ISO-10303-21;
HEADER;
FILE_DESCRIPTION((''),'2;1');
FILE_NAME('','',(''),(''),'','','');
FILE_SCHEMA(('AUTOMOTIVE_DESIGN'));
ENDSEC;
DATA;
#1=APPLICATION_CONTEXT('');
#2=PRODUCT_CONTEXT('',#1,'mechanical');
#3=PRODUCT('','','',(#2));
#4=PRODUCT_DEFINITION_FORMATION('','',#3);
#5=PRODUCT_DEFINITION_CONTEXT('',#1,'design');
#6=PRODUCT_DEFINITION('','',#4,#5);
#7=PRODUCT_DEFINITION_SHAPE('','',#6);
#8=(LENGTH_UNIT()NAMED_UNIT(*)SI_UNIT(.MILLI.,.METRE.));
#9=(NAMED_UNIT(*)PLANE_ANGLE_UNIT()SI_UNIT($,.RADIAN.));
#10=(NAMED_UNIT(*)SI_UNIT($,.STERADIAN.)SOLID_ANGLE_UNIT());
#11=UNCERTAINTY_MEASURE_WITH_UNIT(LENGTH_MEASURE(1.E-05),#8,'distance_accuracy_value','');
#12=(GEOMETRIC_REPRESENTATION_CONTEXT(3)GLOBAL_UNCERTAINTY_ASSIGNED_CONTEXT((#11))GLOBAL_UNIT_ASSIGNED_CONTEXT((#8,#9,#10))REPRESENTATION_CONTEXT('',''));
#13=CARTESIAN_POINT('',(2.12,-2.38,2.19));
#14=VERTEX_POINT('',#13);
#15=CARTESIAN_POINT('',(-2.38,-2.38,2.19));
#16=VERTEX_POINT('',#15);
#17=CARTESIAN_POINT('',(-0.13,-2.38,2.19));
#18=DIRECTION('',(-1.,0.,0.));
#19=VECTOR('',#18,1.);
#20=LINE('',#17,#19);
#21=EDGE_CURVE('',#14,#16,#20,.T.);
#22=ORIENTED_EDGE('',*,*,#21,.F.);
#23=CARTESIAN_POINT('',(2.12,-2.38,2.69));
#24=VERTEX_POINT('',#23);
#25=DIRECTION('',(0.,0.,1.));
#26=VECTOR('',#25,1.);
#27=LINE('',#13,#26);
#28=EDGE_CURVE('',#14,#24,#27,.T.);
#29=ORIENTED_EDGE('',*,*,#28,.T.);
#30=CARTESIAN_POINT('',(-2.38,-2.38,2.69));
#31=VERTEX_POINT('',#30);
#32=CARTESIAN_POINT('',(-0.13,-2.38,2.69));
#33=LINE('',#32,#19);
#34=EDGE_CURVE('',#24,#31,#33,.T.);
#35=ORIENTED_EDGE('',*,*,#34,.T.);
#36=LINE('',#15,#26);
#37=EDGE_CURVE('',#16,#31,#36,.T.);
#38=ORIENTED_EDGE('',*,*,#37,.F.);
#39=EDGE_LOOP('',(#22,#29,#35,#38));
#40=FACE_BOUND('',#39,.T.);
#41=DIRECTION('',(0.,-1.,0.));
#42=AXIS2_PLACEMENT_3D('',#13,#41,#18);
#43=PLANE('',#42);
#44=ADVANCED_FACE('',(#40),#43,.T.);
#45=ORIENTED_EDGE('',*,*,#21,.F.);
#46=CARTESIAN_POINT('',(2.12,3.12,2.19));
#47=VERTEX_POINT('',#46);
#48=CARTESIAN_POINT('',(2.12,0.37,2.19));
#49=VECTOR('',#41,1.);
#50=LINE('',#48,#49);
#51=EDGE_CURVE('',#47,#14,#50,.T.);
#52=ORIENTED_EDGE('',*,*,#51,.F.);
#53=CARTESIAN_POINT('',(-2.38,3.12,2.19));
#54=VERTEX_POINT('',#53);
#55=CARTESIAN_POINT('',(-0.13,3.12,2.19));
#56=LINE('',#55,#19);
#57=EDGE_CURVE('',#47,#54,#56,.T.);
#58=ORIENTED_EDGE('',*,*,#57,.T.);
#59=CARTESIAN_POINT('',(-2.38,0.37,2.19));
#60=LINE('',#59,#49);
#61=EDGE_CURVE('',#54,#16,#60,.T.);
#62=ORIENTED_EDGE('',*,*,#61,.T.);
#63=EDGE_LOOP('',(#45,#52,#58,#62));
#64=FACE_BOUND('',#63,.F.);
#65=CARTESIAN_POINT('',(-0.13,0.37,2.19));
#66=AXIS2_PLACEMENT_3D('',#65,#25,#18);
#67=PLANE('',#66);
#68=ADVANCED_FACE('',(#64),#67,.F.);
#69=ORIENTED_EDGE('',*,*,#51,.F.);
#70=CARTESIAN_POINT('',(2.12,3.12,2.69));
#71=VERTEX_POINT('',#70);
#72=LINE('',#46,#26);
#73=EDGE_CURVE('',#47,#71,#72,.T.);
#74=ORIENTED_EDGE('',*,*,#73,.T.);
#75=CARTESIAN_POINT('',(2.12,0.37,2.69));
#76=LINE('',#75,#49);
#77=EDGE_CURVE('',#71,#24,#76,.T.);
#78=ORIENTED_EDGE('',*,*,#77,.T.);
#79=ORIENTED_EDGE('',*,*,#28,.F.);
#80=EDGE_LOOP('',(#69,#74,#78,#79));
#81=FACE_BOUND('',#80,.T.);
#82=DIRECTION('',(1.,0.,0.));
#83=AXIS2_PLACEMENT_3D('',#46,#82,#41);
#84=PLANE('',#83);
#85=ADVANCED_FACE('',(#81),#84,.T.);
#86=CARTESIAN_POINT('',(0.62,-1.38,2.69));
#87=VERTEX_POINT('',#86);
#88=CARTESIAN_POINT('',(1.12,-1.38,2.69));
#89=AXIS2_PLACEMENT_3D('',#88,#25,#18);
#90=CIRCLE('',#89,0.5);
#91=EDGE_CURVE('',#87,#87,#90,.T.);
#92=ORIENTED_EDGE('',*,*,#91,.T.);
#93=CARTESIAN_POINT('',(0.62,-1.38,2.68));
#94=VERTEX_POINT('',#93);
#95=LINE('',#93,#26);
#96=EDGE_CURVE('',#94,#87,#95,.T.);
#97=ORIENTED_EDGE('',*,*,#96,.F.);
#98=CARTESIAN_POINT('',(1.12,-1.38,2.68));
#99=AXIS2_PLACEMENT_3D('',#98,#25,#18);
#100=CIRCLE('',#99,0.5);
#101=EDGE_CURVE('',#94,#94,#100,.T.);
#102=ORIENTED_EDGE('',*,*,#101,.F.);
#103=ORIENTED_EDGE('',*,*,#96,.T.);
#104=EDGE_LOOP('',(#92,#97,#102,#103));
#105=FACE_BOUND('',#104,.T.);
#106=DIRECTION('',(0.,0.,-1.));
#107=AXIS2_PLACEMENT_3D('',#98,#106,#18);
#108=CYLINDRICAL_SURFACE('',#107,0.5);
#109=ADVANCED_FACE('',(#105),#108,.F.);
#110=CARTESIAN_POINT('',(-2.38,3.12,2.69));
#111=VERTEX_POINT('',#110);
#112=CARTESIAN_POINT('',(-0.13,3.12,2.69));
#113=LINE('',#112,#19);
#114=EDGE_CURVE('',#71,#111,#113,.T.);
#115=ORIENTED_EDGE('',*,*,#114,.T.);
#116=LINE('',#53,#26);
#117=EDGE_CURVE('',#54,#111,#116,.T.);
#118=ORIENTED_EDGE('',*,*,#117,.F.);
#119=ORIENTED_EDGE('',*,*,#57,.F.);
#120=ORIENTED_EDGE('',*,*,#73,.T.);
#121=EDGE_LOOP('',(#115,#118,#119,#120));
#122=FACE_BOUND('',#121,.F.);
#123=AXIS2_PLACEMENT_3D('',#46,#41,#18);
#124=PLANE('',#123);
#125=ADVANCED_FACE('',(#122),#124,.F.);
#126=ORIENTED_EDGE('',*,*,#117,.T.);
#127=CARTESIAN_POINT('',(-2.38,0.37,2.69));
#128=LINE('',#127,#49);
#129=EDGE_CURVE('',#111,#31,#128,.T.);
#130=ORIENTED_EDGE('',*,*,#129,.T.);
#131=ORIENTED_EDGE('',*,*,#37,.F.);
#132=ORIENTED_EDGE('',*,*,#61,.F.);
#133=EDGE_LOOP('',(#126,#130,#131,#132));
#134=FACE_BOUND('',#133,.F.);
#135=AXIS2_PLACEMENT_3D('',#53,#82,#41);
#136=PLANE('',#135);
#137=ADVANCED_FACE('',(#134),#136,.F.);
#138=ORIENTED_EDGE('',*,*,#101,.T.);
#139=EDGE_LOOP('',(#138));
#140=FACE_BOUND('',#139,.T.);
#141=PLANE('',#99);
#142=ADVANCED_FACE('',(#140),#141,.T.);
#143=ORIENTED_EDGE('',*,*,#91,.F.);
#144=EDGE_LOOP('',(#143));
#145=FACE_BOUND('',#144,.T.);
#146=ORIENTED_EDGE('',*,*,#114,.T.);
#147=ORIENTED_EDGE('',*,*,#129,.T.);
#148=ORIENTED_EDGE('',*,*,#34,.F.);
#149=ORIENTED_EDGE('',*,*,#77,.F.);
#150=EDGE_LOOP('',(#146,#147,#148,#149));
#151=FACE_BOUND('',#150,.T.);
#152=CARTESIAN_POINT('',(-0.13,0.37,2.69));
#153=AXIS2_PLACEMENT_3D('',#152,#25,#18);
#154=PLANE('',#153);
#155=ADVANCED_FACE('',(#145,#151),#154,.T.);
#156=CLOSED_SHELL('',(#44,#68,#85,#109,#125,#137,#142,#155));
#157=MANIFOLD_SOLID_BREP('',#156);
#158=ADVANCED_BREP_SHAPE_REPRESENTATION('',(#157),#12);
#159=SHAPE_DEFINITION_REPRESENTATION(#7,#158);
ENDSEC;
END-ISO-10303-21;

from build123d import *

# Parameters (mm, degrees)
CYLINDER019_R          = 0.5
CYLINDER019_DEPTH      = 0.01
BOX054_W               = 4.5
BOX054_H               = 5.5
BOX054_DEPTH           = 0.5
CUT007_PLACEMENT_ANGLE = 180


with BuildPart() as cylinder019:
    # Cylinder019 → Cylinder019 (new body)
    with BuildSketch(Plane(origin=(1, 4.5, 0.49), x_dir=(1, 0, 0), z_dir=(0, 0, 1))):
        Circle(CYLINDER019_R)
    extrude(amount=CYLINDER019_DEPTH)


with BuildPart() as small_linbo3_plate015:
    # Box054 → Box054 (new body)
    with BuildSketch(Plane.XY):
        with Locations((2.25, 2.75)):
            Rectangle(BOX054_W, BOX054_H)
    extrude(amount=BOX054_DEPTH)

    # Cut007: cut Cylinder019
    add(cylinder019.part, mode=Mode.SUBTRACT)


with BuildPart() as small_linbo3_plate015_1:
    # Cut007 placement: moved
    add(small_linbo3_plate015.part.moved(Location((2.12, 3.12, 2.19))).rotate(Axis((2.12, 3.12, 2.19), (0, 0, 1)), CUT007_PLACEMENT_ANGLE))


solid = small_linbo3_plate015_1.part
